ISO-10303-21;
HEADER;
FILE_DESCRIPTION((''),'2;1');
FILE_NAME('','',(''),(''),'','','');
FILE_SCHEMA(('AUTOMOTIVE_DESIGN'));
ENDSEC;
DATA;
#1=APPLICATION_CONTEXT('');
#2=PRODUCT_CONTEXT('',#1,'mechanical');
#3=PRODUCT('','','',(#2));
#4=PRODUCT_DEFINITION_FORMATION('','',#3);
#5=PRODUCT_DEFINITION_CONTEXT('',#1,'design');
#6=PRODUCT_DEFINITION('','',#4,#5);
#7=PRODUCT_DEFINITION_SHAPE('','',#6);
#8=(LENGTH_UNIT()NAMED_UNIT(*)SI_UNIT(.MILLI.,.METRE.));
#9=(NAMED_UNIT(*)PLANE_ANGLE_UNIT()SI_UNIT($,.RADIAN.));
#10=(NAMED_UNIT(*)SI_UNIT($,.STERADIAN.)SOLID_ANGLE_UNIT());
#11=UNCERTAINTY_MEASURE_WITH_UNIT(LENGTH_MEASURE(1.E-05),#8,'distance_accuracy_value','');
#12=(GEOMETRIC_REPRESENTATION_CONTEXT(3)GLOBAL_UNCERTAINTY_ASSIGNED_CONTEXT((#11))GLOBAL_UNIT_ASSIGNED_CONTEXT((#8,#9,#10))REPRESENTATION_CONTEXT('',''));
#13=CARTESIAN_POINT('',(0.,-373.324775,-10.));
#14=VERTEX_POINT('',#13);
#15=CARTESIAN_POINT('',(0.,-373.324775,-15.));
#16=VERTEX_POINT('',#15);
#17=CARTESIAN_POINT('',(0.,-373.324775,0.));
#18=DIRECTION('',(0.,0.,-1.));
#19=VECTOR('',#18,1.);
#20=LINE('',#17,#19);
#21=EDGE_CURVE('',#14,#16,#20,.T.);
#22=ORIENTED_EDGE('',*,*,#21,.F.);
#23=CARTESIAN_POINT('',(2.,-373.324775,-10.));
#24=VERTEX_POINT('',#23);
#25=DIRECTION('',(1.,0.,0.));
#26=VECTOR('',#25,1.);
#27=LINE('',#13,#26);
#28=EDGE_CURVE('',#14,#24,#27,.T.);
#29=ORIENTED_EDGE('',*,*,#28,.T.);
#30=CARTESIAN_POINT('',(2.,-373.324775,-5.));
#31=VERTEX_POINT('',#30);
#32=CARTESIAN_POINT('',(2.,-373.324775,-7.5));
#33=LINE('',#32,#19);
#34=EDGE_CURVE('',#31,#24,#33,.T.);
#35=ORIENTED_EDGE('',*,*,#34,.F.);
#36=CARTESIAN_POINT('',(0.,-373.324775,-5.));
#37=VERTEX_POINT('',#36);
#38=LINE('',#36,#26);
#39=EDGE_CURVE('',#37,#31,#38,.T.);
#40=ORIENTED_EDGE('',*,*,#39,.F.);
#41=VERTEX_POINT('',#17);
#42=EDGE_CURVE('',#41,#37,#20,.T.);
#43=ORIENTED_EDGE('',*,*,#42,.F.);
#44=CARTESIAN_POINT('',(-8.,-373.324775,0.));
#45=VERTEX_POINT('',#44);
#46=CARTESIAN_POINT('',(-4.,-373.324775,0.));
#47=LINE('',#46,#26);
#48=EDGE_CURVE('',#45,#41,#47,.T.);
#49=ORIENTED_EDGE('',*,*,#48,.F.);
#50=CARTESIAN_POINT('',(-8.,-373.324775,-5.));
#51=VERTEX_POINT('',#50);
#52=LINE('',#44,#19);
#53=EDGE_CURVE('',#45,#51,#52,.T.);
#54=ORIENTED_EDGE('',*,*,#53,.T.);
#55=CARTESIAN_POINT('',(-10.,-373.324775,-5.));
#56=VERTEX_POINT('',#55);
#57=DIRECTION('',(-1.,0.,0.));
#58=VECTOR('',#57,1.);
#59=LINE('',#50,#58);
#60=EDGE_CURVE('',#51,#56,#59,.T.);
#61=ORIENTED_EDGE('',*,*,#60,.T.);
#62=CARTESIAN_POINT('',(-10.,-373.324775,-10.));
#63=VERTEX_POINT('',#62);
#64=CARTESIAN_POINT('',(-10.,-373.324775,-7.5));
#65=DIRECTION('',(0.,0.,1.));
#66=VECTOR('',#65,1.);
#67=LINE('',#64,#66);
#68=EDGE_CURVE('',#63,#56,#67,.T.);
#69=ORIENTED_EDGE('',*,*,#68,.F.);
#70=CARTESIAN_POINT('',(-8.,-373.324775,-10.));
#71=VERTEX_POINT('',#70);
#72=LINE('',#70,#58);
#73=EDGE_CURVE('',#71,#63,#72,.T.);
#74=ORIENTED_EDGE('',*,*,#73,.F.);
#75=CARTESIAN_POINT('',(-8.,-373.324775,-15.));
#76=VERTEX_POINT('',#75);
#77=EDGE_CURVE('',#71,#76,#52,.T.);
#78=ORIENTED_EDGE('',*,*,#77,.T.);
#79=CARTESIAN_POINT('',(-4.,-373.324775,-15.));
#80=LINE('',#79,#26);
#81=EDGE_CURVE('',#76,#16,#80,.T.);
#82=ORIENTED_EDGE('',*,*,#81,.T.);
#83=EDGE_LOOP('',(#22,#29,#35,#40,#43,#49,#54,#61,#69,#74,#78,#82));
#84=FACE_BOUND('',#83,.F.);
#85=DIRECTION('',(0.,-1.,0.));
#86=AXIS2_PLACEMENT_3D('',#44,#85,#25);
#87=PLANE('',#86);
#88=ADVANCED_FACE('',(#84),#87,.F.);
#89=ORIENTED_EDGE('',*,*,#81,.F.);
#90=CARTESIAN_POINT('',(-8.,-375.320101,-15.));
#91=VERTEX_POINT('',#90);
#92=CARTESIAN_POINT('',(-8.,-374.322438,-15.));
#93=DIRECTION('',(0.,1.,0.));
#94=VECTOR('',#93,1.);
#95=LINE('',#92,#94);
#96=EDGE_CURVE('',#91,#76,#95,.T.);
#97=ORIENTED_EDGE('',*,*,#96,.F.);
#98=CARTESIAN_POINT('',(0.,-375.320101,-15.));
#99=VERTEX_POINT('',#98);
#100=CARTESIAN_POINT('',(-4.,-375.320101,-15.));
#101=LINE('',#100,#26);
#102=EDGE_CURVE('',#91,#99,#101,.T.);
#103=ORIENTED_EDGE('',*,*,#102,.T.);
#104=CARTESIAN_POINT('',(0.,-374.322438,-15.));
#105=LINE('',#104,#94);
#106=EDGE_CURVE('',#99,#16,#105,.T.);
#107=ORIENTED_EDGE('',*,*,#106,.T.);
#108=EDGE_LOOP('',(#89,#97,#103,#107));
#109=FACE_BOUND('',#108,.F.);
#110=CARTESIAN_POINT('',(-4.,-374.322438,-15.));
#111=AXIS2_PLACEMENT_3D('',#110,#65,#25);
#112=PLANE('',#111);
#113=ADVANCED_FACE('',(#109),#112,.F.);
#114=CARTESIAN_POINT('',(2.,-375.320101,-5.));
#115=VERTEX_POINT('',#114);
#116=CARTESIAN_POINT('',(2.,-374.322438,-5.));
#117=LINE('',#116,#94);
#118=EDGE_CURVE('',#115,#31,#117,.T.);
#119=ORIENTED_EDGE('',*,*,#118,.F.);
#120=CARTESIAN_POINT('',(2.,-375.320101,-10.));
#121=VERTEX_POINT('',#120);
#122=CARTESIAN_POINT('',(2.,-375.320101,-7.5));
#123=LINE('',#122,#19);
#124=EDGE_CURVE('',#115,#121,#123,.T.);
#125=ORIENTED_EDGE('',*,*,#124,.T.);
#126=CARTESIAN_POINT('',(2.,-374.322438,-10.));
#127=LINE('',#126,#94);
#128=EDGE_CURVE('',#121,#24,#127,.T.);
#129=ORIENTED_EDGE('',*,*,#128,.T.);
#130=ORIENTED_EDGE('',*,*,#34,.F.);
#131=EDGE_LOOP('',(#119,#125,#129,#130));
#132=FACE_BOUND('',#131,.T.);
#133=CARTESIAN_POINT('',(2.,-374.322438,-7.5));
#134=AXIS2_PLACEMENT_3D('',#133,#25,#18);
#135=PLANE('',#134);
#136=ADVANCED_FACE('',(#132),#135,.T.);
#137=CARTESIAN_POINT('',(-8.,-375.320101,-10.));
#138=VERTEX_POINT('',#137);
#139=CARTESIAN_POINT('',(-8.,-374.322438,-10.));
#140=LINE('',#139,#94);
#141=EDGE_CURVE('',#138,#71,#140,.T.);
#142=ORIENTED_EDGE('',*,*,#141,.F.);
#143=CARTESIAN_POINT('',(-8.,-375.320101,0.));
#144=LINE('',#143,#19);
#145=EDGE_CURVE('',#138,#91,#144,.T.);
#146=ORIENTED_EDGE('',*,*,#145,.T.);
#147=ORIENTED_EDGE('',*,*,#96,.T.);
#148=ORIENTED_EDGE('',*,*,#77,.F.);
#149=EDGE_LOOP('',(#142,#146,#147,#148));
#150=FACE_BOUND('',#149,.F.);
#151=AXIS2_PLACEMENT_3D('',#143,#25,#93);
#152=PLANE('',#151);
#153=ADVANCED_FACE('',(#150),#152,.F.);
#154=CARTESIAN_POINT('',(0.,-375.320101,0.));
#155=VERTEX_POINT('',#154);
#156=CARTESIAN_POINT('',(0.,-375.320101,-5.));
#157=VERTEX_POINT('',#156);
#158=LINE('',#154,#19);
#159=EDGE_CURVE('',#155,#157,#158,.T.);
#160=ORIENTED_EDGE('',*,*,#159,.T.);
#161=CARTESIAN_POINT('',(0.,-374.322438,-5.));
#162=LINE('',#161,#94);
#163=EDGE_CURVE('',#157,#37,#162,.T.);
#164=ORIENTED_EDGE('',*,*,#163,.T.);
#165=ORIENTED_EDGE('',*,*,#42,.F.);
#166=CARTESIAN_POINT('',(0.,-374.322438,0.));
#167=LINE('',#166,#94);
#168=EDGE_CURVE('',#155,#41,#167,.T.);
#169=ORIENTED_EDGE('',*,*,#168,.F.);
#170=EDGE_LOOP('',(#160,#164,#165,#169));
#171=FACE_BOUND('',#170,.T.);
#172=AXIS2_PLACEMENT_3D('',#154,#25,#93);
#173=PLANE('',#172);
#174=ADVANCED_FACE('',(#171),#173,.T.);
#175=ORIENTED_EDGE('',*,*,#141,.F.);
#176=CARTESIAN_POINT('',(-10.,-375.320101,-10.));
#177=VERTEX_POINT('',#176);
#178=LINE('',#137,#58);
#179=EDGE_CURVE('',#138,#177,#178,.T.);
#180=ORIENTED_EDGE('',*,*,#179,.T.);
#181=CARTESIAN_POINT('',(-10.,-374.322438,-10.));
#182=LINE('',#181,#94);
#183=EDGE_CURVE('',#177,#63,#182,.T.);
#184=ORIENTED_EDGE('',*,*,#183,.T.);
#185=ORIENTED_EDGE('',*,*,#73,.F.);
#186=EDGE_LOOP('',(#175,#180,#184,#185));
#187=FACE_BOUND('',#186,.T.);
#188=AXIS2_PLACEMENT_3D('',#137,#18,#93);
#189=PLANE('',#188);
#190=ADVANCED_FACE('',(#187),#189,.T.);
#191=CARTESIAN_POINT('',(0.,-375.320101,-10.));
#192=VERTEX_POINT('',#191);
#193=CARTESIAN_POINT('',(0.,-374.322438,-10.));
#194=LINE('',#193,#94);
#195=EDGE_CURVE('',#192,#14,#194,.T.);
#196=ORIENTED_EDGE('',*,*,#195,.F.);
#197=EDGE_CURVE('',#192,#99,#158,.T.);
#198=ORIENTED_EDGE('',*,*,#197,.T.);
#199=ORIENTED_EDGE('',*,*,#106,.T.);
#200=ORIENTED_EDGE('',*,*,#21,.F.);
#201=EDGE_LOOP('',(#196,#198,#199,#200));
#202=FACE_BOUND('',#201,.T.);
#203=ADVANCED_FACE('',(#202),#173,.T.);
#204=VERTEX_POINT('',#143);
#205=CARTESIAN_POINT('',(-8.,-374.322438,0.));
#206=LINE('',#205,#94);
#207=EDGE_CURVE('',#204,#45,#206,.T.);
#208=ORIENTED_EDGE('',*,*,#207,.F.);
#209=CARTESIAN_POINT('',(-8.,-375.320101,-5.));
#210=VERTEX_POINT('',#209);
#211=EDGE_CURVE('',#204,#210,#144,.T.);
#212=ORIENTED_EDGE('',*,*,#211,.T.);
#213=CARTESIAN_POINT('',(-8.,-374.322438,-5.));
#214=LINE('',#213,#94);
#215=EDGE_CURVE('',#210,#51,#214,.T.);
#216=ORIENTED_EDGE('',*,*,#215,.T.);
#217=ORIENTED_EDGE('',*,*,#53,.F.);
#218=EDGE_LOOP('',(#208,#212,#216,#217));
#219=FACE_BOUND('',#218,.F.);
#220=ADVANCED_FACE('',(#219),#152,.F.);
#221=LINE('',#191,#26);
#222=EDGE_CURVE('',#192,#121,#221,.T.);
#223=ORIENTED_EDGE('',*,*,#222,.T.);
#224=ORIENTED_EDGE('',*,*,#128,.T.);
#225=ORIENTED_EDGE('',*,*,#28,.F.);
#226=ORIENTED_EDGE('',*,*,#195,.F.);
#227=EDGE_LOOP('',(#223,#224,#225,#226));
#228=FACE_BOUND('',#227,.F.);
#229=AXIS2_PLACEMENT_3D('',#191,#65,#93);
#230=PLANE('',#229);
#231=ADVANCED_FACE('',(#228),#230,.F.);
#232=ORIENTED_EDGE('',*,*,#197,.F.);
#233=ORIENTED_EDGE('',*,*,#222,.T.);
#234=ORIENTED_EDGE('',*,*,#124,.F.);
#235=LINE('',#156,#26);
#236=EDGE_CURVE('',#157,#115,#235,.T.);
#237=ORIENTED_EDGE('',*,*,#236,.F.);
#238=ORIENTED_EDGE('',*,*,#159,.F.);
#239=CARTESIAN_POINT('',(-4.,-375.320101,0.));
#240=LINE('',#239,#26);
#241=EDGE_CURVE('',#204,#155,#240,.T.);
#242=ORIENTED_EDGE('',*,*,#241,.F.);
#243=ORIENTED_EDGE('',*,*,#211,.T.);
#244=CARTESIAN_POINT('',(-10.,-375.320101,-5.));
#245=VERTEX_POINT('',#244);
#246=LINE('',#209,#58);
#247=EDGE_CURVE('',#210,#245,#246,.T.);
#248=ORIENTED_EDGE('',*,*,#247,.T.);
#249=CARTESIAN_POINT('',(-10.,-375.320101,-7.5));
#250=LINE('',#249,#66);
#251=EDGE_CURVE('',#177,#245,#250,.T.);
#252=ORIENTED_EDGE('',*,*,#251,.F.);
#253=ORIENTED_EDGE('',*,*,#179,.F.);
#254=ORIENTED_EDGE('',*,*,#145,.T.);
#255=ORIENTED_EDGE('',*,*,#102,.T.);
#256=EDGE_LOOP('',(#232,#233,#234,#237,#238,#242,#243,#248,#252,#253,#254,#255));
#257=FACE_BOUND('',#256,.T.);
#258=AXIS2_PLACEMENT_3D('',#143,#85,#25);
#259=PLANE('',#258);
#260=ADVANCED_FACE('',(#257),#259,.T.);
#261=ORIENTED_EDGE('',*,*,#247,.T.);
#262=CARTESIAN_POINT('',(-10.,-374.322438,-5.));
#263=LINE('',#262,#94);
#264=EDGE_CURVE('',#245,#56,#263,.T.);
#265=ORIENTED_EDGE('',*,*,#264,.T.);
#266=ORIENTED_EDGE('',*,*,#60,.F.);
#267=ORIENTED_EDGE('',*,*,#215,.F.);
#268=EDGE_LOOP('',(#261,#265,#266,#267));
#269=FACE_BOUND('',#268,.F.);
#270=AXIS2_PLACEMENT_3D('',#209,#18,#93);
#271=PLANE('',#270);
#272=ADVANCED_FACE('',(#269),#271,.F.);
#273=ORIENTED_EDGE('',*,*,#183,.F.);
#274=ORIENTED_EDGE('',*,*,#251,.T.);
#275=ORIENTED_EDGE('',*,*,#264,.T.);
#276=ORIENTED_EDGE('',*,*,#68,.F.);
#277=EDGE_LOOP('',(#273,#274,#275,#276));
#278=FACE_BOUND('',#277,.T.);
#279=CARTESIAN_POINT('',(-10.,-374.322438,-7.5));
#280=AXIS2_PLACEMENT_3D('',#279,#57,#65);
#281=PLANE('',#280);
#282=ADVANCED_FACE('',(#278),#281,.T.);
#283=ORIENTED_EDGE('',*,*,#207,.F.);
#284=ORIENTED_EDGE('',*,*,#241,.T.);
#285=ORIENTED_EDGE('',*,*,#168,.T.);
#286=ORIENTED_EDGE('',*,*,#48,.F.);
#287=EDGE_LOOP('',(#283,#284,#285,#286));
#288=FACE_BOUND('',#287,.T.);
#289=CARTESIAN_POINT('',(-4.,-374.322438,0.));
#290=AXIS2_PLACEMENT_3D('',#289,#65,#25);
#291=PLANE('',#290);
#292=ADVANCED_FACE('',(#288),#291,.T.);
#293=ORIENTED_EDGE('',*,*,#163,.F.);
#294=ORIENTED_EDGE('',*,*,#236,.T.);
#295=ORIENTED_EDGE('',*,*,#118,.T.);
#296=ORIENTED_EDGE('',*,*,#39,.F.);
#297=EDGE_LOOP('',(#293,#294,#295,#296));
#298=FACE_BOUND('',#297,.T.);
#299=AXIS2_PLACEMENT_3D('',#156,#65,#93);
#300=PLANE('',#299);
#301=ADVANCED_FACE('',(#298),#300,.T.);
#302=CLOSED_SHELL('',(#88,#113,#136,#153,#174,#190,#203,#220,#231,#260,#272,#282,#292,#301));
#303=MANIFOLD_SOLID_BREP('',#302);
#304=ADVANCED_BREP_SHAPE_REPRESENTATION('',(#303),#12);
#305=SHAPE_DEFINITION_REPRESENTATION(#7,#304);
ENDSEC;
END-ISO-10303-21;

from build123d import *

# Parameters (mm, degrees)
SZKIC1_W                    = 8
SZKIC1_H                    = 1.995325655
DODANIE_WYCI_GNI_CIE1_DEPTH = 15
SZKIC3_W                    = 5
SZKIC3_H                    = 1.995325655
DODANIE_WYCI_GNI_CIE2_DEPTH = 2
SZKIC5_W                    = 5
SZKIC5_H                    = 1.995325655
DODANIE_WYCI_GNI_CIE3_DEPTH = 2


with BuildPart() as part:
    # Szkic1 → Dodanie-wyciągnięcie1 (new body)
    with BuildSketch(Plane.XY):
        with Locations((-4, -374.322437992)):
            Rectangle(SZKIC1_W, SZKIC1_H)
    extrude(amount=-DODANIE_WYCI_GNI_CIE1_DEPTH)

    # Szkic3 → Dodanie-wyciągnięcie2 (add)
    with BuildSketch(Plane.ZY.offset(8)):
        with Locations((-7.5, -374.322437992)):
            Rectangle(SZKIC3_W, SZKIC3_H)
    extrude(amount=DODANIE_WYCI_GNI_CIE2_DEPTH)

    # Szkic5 → Dodanie-wyciągnięcie3 (add)
    with BuildSketch(Plane(origin=(0, 0, 0), x_dir=(0, 0, -1), z_dir=(1, 0, 0))):
        with Locations((7.5, -374.322437992)):
            Rectangle(SZKIC5_W, SZKIC5_H)
    extrude(amount=DODANIE_WYCI_GNI_CIE3_DEPTH)


solid = part.part
